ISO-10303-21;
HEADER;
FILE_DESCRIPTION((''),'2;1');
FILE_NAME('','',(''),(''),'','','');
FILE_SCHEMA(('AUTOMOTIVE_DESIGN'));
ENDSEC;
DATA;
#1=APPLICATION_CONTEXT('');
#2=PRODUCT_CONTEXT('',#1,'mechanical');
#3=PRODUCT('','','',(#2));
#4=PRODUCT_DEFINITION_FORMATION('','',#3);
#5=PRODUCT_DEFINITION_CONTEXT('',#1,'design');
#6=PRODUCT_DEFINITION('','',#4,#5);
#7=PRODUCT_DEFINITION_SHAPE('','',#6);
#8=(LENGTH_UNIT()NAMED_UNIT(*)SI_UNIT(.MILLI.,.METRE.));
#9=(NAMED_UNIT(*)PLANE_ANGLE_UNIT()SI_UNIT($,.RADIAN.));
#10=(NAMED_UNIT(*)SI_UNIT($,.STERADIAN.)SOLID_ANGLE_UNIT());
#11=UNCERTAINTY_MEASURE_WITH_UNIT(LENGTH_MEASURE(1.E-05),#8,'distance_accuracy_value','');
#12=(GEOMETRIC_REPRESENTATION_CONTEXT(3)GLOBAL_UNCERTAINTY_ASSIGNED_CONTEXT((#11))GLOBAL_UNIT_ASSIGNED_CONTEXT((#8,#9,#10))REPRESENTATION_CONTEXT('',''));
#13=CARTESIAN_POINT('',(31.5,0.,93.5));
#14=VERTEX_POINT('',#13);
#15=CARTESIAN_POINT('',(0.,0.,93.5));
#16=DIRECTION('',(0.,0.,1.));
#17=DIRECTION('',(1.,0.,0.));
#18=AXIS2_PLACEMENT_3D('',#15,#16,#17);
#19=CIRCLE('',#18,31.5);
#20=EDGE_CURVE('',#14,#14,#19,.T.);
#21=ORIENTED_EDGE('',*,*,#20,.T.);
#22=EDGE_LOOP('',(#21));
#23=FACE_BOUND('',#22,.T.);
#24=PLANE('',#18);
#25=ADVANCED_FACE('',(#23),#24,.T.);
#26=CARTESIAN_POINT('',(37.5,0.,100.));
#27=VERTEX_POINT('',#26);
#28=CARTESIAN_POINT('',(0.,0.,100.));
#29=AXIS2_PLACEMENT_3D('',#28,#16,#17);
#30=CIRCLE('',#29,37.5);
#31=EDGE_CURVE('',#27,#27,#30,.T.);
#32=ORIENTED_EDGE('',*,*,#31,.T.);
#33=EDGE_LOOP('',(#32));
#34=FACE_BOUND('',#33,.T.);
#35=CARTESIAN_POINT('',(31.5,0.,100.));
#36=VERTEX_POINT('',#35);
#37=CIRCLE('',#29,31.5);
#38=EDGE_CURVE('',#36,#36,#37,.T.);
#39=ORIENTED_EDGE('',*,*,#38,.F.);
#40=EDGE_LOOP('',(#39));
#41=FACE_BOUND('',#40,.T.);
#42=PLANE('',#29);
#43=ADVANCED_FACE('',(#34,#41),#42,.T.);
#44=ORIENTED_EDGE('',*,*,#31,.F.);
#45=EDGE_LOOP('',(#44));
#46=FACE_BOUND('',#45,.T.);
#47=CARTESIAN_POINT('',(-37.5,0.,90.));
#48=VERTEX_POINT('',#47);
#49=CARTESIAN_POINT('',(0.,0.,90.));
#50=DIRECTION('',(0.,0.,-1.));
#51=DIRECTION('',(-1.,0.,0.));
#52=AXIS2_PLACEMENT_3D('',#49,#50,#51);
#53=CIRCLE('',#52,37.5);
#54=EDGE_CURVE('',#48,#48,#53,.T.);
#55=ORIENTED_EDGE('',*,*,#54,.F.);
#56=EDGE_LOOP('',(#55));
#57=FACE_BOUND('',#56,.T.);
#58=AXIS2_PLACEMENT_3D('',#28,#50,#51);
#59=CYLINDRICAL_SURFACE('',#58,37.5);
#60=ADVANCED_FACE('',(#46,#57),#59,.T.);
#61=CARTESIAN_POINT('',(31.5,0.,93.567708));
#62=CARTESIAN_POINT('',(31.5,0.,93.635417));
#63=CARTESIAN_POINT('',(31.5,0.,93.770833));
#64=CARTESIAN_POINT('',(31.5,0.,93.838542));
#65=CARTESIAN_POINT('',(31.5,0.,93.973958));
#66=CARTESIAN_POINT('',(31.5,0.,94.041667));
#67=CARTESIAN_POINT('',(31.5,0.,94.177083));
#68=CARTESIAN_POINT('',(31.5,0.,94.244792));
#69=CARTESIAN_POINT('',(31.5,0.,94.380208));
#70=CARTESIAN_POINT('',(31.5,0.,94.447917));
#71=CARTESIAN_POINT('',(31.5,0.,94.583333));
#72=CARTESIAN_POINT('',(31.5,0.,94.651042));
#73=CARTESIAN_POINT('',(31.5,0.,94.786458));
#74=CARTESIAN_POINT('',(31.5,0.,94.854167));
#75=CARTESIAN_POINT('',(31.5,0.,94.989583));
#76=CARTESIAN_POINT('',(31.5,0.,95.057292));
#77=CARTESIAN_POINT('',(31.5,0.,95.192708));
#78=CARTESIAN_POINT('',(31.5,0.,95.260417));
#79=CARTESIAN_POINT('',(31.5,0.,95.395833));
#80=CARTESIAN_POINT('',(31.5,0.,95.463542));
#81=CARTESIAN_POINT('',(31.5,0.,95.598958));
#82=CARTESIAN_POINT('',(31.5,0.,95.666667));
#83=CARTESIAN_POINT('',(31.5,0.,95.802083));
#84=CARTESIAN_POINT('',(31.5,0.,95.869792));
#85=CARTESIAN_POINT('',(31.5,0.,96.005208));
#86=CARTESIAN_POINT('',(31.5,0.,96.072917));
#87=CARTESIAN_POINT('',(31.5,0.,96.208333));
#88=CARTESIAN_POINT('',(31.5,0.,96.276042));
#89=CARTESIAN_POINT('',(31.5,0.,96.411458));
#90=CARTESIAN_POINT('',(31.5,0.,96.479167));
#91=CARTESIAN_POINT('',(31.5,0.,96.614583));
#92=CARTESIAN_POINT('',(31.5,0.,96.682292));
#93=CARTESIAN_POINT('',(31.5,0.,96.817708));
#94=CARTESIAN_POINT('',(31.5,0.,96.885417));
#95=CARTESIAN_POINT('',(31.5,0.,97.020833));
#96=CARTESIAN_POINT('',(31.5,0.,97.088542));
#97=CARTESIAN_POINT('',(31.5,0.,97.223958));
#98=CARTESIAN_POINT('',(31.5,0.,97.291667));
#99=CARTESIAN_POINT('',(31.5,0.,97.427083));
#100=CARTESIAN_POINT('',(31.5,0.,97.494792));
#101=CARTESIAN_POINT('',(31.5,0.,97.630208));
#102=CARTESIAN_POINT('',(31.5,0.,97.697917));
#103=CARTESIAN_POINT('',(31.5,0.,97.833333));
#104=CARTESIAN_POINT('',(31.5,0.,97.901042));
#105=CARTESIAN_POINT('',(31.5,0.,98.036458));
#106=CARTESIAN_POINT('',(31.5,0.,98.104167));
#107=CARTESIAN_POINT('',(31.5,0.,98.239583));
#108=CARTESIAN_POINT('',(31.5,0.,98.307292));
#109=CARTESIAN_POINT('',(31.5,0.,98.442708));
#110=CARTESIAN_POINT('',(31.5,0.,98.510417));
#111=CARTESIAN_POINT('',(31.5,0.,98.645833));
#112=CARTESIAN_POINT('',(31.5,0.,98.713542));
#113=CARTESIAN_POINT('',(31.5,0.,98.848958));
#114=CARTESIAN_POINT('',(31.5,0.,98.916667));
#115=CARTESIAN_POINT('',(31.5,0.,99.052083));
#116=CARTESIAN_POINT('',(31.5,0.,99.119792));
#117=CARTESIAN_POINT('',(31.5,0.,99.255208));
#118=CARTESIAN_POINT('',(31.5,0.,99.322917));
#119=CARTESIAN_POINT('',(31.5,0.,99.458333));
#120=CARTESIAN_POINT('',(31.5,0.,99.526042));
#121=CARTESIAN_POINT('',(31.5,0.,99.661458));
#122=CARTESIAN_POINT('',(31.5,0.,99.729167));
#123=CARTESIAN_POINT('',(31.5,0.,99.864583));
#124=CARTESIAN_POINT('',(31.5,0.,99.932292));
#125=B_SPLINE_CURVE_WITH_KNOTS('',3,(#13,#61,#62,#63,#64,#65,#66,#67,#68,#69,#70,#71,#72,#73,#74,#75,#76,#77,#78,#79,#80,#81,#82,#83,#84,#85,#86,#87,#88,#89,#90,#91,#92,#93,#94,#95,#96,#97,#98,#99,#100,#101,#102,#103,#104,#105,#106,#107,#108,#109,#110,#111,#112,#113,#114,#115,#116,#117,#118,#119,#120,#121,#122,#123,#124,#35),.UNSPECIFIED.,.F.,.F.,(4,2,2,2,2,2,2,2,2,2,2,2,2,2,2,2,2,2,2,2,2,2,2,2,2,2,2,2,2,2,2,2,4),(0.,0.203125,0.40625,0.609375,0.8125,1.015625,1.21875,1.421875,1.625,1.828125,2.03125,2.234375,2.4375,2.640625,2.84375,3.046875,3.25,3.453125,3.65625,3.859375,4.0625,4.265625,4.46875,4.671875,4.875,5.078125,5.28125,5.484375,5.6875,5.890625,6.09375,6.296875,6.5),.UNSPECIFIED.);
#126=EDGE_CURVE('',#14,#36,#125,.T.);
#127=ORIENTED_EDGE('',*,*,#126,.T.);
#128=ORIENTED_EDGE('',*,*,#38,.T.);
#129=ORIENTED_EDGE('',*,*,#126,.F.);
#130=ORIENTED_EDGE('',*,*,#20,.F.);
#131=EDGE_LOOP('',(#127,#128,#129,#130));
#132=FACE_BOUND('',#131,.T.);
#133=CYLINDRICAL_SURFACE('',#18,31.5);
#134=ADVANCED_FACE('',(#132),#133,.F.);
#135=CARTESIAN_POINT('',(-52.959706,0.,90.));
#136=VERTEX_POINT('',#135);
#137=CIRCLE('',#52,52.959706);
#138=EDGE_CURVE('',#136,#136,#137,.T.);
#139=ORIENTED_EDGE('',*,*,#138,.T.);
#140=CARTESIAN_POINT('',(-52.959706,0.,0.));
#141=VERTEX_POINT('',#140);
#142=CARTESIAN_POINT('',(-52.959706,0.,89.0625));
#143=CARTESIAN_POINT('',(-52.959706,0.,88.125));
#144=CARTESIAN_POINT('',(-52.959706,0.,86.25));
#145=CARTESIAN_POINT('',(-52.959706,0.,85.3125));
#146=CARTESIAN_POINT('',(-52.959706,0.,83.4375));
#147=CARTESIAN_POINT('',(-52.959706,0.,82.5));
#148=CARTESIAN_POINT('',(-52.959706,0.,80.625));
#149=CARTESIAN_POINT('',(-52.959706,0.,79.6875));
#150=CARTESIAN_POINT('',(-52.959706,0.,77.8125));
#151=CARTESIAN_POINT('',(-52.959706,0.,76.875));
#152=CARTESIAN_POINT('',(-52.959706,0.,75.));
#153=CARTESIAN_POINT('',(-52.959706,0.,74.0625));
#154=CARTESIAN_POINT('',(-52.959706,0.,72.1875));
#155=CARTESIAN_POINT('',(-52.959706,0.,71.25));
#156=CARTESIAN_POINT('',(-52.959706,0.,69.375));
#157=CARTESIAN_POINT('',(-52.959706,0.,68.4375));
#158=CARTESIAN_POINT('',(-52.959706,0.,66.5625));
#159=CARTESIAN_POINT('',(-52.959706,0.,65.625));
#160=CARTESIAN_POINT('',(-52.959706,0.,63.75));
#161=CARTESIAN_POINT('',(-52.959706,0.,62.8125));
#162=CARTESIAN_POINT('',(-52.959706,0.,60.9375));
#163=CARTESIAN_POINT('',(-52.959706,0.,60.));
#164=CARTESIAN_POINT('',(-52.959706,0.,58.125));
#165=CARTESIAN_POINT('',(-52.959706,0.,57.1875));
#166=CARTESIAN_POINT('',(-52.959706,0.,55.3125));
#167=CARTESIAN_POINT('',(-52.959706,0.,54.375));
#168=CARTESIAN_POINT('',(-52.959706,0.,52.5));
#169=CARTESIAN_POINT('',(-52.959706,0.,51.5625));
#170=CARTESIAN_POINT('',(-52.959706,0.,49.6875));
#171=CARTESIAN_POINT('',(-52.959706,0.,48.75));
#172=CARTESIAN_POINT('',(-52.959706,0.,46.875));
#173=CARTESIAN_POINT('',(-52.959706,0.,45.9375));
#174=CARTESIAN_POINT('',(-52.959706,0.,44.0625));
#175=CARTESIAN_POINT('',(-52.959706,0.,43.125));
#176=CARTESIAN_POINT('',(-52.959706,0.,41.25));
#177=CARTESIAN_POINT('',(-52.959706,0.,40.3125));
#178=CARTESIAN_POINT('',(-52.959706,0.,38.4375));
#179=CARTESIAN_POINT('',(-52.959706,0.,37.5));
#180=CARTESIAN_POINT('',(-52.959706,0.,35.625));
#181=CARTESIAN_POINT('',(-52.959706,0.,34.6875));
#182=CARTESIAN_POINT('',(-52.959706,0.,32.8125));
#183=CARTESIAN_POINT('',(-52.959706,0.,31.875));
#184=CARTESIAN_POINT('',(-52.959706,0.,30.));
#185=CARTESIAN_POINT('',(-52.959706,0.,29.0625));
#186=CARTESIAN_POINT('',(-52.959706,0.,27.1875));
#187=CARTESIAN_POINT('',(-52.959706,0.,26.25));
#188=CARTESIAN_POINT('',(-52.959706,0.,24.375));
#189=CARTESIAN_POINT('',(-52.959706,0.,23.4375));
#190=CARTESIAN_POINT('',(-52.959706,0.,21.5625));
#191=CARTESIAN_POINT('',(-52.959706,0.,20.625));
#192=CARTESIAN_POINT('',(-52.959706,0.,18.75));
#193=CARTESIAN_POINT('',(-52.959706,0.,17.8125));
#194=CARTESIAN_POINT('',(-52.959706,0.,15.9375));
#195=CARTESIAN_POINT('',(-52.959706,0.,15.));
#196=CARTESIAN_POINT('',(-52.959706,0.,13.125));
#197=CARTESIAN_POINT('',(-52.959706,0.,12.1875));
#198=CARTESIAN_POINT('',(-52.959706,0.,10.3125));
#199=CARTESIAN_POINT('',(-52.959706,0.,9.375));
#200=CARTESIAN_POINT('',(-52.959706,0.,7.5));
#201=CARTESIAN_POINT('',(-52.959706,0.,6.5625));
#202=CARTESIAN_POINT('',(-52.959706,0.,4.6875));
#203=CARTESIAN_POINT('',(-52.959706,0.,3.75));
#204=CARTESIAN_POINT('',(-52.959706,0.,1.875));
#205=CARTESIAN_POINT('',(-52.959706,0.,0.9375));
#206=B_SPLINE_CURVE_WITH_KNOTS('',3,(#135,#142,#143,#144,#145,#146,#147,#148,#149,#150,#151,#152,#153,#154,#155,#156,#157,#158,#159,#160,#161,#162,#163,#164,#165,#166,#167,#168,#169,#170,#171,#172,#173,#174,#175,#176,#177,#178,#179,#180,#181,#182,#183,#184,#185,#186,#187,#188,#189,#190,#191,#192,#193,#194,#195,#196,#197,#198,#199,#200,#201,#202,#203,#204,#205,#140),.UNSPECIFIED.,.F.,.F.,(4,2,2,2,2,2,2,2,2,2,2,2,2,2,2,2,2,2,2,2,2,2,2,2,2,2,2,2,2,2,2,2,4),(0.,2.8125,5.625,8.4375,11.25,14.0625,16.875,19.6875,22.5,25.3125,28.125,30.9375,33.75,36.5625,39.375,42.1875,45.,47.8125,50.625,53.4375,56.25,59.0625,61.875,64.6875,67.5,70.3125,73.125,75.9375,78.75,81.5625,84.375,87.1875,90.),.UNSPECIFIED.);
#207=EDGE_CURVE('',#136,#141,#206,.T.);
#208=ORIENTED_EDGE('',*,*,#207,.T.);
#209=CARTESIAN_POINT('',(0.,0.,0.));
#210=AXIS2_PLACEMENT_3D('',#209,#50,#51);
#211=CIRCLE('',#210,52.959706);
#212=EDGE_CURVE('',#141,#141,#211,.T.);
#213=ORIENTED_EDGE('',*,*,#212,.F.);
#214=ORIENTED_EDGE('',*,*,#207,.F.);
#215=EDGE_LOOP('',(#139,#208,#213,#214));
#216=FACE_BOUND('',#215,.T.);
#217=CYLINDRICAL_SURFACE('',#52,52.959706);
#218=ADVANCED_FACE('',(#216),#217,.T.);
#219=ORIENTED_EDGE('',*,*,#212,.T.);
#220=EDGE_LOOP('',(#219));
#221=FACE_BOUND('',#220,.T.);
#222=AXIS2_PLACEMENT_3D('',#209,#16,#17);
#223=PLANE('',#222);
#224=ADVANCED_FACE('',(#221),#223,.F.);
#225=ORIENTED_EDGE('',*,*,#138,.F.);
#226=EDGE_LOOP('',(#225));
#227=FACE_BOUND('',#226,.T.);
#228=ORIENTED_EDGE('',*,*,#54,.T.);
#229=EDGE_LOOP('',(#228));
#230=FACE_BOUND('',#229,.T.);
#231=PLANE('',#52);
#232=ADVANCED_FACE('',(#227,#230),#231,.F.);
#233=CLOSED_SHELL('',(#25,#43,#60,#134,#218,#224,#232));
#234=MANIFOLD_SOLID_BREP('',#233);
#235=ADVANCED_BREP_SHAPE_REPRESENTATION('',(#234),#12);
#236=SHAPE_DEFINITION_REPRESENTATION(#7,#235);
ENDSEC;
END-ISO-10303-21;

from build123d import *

# Parameters (mm, degrees)
SKETCH1_R           = 37.5
BOSS_EXTRUDE1_DEPTH = 100
SKETCH2_R           = 31.5
CUT_EXTRUDE1_DEPTH  = 6.5
SKETCH3_R           = 52.959705575
BOSS_EXTRUDE2_DEPTH = 90


with BuildPart() as part:
    # Sketch1 → Boss-Extrude1 (new body)
    with BuildSketch(Plane.XY):
        Circle(SKETCH1_R)
    extrude(amount=BOSS_EXTRUDE1_DEPTH)

    # Sketch2 → Cut-Extrude1 (cut)
    with BuildSketch(Plane.XY.offset(100)):
        Circle(SKETCH2_R)
    extrude(amount=-CUT_EXTRUDE1_DEPTH, mode=Mode.SUBTRACT)

    # Sketch3 → Boss-Extrude2 (add)
    with BuildSketch(Plane(origin=(0, 0, 0), x_dir=(-1, 0, 0), z_dir=(0, 0, -1))):
        Circle(SKETCH3_R)
    extrude(amount=-BOSS_EXTRUDE2_DEPTH)


solid = part.part
